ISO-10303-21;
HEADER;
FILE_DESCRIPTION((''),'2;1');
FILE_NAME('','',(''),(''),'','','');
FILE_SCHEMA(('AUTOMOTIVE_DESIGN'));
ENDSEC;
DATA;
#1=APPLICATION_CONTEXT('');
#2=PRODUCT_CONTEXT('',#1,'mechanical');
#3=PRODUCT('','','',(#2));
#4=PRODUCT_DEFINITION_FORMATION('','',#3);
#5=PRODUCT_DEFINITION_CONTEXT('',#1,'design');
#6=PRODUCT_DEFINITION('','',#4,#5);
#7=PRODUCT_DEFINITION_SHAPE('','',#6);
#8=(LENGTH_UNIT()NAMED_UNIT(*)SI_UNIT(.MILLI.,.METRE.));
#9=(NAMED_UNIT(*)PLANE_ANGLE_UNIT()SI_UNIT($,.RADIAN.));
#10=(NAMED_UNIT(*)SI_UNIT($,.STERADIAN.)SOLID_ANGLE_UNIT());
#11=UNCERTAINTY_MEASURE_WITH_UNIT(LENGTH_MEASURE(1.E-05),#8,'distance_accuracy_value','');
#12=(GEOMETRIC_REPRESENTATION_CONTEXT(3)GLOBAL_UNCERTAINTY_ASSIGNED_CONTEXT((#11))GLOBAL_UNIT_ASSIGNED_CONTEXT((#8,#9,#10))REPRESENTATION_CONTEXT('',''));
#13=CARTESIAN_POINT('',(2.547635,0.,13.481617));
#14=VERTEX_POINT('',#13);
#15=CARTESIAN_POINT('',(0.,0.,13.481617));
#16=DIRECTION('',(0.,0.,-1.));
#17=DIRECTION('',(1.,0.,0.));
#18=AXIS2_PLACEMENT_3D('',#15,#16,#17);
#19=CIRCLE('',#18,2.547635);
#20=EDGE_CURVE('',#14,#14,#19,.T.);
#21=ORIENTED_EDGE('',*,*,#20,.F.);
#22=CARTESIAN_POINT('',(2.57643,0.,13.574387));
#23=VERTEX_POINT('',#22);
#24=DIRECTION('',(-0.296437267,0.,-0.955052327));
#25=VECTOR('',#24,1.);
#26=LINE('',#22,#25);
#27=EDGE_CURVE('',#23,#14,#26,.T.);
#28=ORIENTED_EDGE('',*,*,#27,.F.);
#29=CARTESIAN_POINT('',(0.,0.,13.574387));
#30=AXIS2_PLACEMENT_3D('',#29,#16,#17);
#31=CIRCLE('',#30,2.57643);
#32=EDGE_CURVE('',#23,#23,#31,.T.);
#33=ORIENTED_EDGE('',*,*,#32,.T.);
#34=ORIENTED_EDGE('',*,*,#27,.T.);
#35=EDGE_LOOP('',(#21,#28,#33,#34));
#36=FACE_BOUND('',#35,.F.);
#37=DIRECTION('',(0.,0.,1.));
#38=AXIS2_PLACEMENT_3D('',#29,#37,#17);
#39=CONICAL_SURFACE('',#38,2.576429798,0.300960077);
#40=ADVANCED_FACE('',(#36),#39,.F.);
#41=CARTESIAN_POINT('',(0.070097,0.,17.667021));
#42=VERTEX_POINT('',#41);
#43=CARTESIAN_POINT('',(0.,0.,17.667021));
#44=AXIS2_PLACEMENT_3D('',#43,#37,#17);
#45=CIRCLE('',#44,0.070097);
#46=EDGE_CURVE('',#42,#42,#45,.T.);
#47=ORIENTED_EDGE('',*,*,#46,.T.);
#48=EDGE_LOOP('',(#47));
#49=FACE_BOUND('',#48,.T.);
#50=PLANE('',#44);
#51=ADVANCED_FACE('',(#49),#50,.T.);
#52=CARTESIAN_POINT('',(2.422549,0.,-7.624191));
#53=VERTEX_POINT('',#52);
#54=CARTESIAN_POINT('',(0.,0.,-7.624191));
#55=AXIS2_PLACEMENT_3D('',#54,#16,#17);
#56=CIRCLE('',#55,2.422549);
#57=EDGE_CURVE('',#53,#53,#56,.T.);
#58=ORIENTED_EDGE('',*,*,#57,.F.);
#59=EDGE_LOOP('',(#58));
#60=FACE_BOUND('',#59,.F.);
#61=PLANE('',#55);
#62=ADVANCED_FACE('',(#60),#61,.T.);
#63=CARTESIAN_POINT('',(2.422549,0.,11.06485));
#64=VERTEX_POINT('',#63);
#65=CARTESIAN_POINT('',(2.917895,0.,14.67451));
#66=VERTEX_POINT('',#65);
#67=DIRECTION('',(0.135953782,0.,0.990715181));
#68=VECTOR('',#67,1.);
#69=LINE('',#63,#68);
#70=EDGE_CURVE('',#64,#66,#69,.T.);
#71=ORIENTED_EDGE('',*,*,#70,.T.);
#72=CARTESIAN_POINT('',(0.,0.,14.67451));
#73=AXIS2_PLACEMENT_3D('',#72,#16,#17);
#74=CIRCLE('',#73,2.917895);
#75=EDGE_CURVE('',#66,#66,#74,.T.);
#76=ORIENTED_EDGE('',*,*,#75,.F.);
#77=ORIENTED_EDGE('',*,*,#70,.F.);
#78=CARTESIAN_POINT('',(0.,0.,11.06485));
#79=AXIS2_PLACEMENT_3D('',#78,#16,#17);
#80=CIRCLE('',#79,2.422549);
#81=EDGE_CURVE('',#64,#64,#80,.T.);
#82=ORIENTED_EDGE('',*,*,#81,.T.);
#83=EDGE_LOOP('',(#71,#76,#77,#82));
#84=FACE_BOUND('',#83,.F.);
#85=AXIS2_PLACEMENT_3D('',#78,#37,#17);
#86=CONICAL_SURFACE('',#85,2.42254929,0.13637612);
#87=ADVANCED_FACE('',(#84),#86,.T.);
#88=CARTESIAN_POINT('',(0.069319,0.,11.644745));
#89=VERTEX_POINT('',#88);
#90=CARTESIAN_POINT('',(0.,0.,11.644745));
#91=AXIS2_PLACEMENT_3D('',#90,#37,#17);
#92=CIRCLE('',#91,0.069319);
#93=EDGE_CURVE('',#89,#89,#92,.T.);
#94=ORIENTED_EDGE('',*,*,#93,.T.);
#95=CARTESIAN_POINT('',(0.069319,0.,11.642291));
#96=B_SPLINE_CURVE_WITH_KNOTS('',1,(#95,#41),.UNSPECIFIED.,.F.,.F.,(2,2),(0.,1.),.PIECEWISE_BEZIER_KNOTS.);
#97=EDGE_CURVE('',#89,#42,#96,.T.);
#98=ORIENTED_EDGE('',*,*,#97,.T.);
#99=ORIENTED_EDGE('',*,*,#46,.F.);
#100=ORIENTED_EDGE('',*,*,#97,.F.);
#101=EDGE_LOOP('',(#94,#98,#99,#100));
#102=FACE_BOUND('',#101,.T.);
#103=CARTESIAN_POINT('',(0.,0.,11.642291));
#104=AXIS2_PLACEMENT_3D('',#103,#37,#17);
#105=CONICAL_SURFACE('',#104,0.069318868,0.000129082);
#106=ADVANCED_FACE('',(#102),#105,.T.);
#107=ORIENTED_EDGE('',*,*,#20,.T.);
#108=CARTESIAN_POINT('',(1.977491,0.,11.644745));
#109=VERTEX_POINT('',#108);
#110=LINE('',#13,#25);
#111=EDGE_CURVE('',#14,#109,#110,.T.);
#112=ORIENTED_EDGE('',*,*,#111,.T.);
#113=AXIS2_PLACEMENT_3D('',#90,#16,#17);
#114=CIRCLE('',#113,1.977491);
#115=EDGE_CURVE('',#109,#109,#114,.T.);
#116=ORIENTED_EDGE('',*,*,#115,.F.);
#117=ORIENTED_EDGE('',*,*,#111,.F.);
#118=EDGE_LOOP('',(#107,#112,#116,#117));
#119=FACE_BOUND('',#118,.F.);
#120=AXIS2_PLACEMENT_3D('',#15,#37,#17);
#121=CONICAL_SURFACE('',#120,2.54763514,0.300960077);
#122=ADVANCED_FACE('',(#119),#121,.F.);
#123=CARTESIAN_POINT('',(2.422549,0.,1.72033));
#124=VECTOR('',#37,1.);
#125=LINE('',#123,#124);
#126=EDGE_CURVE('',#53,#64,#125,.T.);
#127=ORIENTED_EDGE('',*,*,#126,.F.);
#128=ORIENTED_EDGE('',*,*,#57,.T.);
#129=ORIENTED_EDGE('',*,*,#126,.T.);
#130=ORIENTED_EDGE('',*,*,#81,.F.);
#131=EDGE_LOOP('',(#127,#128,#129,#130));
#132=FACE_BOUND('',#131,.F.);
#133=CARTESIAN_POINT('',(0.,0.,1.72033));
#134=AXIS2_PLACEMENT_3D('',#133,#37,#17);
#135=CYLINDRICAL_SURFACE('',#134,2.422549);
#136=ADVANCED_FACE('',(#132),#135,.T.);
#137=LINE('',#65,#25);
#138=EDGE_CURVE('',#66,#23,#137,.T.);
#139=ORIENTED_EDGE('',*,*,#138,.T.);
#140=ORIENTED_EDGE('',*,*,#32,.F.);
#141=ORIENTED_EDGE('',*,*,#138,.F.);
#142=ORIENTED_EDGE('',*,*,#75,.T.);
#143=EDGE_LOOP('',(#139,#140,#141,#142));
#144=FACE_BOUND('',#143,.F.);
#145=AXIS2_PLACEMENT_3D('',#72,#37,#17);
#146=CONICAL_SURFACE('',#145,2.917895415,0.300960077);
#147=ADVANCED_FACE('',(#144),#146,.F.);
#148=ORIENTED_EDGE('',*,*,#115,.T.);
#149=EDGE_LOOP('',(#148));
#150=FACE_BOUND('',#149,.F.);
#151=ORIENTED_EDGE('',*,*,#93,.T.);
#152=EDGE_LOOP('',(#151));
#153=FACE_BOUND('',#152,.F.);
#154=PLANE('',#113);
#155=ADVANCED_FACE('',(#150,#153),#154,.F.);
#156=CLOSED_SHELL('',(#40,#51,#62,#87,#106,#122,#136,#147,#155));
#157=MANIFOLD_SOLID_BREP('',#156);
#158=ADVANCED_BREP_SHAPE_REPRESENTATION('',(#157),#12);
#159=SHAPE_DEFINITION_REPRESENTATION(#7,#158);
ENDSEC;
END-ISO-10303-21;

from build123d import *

# Parameters (mm, degrees)
F0_W     = 8.9162653312
F0_H     = 68.7855742872
F5_R     = 0.2551301714
F3_R     = 0.2579924581
F7_SCALE = 0.2717


with BuildPart() as f1:
    # F0 (on Front) → F1 (revolve)
    with BuildSketch(Plane.XZ):
        Polygon((0, 42.8588315845), (0, 40.7245121896), (8.9162653312, 40.7245121896), (10.7394016028, 54.0099740028), (9.4826271558, 49.960937351), (9.3766475536, 49.6194955792), (7.2782151401, 42.8588315845), (2.2957634175, 42.8588315845), align=None)
        with Locations((4.4581326656, 6.331725046)):
            Rectangle(F0_W, F0_H)
    revolve(axis=Axis((0, 0, 41.791671887), (0, 0, -1)))

    # F5 (on offset) → F6 section 0
    with BuildSketch(Plane.XY.offset(42.8498)):
        Circle(F5_R)
    # F3 (on offset) → F6 section 1
    with BuildSketch(Plane.XY.offset(65.024)):
        Circle(F3_R)
    loft()


with BuildPart() as f1_1:
    # F7: moved
    add(f1.part.scale(F7_SCALE))


solid = f1_1.part
